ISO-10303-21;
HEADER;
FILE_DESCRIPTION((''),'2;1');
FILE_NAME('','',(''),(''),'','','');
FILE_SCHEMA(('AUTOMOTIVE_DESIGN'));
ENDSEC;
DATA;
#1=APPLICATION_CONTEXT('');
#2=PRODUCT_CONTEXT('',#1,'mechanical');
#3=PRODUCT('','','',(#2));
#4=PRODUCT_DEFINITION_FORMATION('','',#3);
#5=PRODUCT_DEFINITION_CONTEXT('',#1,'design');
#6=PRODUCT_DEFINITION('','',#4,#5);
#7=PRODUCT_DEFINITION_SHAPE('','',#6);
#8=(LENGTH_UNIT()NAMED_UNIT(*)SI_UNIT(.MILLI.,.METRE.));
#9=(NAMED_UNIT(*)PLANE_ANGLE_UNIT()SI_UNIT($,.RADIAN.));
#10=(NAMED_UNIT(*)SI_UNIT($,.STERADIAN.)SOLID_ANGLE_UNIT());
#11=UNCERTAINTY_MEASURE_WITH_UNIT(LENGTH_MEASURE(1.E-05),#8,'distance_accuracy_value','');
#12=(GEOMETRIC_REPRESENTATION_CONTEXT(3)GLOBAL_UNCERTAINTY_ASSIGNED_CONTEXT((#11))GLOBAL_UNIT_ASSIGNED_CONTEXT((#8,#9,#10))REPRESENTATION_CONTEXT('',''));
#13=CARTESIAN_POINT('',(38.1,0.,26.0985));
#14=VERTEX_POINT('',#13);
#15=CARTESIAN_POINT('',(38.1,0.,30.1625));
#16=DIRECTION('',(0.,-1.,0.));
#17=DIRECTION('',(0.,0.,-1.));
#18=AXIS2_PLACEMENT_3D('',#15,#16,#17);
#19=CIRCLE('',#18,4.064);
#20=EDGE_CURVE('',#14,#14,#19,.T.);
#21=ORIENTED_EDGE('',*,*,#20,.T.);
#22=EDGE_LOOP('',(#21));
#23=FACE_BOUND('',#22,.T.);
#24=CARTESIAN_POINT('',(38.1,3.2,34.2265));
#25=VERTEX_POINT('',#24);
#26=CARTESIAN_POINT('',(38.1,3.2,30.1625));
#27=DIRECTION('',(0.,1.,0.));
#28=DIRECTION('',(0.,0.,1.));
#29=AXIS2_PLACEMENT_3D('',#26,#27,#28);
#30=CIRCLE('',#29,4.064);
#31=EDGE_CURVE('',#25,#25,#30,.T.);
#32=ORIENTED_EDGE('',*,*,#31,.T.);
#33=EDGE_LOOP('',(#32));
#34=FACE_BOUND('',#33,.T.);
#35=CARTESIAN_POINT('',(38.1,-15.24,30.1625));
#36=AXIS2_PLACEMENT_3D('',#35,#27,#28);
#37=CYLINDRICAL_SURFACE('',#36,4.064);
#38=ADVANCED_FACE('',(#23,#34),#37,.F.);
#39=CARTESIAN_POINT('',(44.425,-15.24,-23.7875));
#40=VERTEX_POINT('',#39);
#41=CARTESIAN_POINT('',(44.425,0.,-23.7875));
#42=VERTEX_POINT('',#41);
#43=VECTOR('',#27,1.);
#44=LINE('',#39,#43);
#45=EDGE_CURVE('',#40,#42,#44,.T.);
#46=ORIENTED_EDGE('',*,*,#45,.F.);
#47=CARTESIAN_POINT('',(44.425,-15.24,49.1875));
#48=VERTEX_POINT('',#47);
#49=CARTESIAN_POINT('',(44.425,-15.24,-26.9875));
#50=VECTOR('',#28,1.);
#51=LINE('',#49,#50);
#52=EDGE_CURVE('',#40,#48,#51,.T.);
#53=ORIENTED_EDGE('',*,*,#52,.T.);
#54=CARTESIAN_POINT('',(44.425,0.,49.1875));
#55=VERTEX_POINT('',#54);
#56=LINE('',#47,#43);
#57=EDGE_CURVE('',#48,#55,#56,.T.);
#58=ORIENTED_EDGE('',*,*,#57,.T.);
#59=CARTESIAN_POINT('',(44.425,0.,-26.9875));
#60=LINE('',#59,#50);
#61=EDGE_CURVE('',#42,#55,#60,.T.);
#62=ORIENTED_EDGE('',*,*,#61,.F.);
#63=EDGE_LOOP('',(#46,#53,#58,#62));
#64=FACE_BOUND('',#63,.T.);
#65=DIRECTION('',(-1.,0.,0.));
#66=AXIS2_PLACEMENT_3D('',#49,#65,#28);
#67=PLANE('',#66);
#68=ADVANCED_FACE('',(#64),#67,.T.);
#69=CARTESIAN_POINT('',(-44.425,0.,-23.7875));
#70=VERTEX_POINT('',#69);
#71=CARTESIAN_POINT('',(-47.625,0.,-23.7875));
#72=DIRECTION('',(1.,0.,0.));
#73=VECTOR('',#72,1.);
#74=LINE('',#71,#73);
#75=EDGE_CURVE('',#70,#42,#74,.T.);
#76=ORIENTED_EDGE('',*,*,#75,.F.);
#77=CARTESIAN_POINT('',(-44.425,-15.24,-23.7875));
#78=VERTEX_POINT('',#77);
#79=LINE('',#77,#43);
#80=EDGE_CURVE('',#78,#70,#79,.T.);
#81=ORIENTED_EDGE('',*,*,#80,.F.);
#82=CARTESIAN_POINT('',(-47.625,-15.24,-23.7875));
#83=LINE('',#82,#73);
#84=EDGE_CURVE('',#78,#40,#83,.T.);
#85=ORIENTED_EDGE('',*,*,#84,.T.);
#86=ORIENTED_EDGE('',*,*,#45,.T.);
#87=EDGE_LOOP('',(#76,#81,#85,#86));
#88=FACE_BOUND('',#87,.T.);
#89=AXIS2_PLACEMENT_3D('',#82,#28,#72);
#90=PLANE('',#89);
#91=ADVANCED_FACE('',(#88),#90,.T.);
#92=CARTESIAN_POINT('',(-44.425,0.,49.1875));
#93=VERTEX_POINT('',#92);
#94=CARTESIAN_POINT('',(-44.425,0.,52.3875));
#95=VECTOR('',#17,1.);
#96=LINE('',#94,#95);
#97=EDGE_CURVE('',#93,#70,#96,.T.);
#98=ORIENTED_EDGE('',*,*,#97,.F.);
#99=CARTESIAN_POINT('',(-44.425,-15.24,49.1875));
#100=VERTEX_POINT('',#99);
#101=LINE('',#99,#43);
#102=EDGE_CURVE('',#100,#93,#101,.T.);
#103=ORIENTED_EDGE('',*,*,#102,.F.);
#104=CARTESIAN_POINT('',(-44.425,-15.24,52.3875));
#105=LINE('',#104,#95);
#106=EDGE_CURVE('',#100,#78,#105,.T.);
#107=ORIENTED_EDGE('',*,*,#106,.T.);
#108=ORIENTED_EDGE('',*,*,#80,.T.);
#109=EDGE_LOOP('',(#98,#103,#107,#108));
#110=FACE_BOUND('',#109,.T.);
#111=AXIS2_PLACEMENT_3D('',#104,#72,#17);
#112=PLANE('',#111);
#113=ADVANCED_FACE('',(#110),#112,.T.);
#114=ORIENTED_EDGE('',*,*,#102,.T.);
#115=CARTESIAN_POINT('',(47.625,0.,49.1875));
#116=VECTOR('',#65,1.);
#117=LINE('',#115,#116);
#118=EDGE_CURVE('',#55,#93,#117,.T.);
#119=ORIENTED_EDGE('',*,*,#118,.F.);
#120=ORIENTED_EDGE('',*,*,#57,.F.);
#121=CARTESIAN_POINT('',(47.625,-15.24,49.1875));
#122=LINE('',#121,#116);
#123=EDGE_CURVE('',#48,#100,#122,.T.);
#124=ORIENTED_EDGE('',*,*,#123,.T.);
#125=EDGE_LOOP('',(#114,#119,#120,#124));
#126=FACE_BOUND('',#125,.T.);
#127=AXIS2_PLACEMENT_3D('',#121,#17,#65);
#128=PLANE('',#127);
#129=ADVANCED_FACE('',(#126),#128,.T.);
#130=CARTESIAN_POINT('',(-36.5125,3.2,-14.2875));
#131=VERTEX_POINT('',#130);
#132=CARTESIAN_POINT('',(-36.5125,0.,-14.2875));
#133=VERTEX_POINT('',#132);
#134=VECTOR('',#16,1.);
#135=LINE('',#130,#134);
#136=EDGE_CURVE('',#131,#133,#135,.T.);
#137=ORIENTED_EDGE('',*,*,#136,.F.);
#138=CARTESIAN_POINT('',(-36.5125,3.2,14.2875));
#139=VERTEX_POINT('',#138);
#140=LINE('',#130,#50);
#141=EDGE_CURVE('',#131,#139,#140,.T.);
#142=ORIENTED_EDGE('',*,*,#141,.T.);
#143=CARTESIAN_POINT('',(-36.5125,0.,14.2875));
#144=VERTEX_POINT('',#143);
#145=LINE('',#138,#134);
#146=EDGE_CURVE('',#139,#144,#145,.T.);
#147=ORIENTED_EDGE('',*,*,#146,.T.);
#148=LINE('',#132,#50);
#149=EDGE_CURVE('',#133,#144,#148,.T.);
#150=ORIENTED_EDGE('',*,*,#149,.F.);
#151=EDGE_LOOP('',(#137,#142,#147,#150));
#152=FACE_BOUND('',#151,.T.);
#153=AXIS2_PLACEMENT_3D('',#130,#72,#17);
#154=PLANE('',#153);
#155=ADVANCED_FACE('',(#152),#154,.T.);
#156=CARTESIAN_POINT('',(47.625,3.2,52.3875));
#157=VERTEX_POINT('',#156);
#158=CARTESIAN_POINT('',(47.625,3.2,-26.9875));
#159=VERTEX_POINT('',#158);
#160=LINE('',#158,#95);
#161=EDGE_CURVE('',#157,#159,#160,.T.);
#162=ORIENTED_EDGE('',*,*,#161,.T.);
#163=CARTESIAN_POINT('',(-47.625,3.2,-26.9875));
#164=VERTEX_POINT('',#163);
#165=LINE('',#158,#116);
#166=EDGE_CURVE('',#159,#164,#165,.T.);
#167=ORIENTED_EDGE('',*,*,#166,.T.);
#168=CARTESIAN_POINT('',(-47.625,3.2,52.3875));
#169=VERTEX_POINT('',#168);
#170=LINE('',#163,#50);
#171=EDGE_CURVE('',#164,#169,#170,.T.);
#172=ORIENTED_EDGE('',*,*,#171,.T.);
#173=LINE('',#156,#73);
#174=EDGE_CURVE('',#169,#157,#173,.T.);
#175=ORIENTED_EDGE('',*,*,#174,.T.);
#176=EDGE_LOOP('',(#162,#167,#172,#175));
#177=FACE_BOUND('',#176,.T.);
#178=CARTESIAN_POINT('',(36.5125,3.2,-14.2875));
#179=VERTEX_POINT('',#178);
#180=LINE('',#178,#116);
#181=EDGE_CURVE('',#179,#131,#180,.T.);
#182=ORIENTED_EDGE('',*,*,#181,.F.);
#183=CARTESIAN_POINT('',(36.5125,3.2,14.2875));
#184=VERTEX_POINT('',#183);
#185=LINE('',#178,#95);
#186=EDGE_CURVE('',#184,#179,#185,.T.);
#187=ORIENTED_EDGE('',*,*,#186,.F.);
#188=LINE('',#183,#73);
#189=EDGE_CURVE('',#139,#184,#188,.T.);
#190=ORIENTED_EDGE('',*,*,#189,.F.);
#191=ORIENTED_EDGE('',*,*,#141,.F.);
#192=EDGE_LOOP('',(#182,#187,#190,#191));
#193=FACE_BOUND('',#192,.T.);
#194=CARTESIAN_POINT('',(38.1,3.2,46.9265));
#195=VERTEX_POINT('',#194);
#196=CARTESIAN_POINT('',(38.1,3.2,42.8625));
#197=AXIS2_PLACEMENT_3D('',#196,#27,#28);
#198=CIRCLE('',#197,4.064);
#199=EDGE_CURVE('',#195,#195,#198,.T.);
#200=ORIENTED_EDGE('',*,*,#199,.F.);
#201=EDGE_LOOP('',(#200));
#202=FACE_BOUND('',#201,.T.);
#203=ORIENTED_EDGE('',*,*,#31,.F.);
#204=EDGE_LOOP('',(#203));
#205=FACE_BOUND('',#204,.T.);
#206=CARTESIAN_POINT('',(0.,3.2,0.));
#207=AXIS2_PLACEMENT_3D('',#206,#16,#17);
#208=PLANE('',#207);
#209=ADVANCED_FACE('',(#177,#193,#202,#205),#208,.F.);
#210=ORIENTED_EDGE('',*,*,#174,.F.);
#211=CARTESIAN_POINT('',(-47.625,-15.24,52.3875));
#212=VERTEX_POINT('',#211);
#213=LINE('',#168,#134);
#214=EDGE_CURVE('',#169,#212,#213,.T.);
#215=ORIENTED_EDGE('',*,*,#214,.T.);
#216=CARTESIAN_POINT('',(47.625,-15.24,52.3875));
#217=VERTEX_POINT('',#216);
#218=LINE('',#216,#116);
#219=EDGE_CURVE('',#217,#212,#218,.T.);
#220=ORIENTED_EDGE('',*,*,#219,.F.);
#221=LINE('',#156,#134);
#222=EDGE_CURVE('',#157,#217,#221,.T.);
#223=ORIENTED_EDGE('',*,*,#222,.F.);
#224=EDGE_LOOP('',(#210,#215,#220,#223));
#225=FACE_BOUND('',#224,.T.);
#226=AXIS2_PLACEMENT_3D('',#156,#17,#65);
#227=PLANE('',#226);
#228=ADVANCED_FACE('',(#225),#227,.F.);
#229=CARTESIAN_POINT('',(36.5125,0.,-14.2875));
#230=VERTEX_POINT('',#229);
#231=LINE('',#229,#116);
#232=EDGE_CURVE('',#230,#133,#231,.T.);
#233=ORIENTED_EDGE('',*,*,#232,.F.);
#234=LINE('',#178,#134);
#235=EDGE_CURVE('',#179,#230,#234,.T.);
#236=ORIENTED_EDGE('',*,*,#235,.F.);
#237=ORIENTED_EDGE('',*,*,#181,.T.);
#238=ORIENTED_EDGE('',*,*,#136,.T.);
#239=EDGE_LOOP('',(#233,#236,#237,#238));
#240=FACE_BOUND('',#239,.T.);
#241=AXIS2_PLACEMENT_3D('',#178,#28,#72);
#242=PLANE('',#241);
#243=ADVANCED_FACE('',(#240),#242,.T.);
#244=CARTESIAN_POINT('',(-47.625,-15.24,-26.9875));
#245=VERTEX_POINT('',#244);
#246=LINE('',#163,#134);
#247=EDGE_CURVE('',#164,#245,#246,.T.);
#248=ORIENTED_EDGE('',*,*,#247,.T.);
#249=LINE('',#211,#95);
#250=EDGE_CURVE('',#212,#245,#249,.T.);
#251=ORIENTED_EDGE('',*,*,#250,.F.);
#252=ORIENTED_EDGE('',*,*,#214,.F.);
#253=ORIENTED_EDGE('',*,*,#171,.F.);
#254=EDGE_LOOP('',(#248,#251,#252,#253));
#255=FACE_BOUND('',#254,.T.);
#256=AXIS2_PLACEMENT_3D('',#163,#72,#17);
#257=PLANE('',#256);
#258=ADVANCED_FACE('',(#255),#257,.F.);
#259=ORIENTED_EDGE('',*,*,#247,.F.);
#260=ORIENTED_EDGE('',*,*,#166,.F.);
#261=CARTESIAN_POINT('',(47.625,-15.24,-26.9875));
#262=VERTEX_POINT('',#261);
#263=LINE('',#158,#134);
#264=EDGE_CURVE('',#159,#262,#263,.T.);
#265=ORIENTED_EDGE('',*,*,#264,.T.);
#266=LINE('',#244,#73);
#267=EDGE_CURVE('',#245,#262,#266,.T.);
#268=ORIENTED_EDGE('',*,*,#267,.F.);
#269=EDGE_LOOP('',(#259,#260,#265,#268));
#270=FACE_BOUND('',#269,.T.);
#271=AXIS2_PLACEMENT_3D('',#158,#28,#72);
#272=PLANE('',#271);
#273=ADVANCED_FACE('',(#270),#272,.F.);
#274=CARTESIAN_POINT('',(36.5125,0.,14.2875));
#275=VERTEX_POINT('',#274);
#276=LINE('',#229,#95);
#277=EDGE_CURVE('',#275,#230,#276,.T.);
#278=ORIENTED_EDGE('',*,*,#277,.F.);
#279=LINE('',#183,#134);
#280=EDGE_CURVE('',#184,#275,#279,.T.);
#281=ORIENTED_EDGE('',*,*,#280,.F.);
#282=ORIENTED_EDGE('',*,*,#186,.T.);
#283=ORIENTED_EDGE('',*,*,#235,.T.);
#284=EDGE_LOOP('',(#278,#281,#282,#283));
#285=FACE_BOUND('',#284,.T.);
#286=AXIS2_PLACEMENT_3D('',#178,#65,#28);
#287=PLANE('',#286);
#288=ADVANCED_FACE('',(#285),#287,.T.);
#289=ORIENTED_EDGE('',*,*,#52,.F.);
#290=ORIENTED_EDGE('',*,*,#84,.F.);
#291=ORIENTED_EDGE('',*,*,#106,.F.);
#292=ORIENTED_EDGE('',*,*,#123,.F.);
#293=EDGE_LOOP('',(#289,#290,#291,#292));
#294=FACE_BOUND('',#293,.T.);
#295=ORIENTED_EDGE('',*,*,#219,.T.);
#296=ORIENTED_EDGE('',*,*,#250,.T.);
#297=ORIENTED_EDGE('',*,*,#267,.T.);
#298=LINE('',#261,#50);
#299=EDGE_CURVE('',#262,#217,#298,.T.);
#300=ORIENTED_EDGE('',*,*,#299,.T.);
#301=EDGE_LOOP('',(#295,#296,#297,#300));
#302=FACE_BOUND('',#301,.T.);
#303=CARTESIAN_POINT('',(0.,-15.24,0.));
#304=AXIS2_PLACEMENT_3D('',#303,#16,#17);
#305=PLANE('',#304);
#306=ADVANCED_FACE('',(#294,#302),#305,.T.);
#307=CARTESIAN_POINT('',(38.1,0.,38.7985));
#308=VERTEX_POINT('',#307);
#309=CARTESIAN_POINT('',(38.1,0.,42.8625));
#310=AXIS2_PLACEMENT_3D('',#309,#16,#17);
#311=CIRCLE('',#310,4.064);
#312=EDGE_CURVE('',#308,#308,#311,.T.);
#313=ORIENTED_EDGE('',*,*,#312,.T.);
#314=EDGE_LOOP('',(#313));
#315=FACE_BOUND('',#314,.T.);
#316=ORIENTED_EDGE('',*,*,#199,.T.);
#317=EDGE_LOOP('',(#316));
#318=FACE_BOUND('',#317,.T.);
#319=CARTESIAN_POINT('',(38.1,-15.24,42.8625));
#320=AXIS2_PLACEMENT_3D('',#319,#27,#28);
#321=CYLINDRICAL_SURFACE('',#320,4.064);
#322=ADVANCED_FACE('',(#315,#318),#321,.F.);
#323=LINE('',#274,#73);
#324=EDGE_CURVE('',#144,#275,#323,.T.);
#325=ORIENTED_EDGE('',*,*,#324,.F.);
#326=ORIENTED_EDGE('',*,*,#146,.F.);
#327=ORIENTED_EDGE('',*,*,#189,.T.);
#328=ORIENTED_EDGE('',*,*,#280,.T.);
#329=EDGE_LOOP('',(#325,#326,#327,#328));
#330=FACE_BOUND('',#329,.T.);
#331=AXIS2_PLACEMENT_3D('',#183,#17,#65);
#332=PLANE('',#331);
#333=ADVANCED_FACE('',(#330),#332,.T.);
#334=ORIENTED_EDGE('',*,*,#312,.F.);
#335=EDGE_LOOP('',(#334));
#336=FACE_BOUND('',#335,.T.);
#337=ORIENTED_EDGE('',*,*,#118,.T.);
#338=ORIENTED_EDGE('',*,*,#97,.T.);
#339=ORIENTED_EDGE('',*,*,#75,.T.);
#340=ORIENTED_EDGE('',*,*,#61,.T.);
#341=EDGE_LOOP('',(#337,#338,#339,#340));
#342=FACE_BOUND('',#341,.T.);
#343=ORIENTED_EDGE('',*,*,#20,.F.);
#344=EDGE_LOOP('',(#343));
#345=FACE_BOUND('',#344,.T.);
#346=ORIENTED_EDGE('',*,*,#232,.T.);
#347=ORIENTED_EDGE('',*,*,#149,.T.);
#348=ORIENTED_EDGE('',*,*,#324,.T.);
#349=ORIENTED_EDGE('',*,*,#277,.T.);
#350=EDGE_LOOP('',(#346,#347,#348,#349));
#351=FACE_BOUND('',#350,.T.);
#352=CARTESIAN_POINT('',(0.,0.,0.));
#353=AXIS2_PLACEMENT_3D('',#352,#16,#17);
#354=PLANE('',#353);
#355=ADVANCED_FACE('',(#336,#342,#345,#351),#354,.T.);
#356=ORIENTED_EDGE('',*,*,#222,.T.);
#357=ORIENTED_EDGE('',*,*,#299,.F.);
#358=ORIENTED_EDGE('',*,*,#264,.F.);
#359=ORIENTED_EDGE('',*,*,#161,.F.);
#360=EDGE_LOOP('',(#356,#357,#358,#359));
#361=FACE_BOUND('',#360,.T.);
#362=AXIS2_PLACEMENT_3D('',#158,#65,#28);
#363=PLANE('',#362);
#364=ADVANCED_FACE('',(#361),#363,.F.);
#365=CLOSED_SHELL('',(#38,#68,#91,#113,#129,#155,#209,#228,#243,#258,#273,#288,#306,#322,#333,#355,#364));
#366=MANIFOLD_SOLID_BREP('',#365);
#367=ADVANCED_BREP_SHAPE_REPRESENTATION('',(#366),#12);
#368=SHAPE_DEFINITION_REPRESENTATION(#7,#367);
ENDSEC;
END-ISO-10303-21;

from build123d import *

# Parameters (mm, degrees)
SKETCH1_W           = 95.25
SKETCH1_H           = 79.375
SKETCH1_W_2         = 73.025
SKETCH1_H_2         = 28.575
BOSS_EXTRUDE1_DEPTH = 3.2
SKETCH2_W           = 95.25
SKETCH2_H           = 79.375
SKETCH2_W_2         = 88.85
SKETCH2_H_2         = 72.975
EXTRUDE_THIN1_DEPTH = 15.24
SKETCH3_R           = 4.064
CUT_EXTRUDE1_DEPTH  = 74.161631893


with BuildPart() as part:
    # Sketch1 → Boss-Extrude1 (new body)
    with BuildSketch(Plane(origin=(0, 0, 0), x_dir=(1, 0, 0), z_dir=(0, 1, 0))):
        with Locations((0, -12.7)):
            Rectangle(SKETCH1_W, SKETCH1_H)
        Rectangle(SKETCH1_W_2, SKETCH1_H_2, mode=Mode.SUBTRACT)
    extrude(amount=BOSS_EXTRUDE1_DEPTH)

    # Sketch2 → Extrude-Thin1 (add)
    with BuildSketch(Plane.XZ):
        with Locations((0, 12.7)):
            Rectangle(SKETCH2_W, SKETCH2_H)
        with Locations((0, 12.7)):
            Rectangle(SKETCH2_W_2, SKETCH2_H_2, mode=Mode.SUBTRACT)
    extrude(amount=EXTRUDE_THIN1_DEPTH)

    # Sketch3 → Cut-Extrude1 (cut, through all)
    with BuildSketch(Plane(origin=(0, 3.2, 0), x_dir=(1, 0, 0), z_dir=(0, 1, 0))):
        with Locations(Location((38.1, -30.1625, 0), (0, 0, 270))):
            Circle(SKETCH3_R)
        with Locations(Location((38.1, -42.8625, 0), (0, 0, 270))):
            Circle(SKETCH3_R)
    extrude(amount=-CUT_EXTRUDE1_DEPTH, mode=Mode.SUBTRACT)


solid = part.part
